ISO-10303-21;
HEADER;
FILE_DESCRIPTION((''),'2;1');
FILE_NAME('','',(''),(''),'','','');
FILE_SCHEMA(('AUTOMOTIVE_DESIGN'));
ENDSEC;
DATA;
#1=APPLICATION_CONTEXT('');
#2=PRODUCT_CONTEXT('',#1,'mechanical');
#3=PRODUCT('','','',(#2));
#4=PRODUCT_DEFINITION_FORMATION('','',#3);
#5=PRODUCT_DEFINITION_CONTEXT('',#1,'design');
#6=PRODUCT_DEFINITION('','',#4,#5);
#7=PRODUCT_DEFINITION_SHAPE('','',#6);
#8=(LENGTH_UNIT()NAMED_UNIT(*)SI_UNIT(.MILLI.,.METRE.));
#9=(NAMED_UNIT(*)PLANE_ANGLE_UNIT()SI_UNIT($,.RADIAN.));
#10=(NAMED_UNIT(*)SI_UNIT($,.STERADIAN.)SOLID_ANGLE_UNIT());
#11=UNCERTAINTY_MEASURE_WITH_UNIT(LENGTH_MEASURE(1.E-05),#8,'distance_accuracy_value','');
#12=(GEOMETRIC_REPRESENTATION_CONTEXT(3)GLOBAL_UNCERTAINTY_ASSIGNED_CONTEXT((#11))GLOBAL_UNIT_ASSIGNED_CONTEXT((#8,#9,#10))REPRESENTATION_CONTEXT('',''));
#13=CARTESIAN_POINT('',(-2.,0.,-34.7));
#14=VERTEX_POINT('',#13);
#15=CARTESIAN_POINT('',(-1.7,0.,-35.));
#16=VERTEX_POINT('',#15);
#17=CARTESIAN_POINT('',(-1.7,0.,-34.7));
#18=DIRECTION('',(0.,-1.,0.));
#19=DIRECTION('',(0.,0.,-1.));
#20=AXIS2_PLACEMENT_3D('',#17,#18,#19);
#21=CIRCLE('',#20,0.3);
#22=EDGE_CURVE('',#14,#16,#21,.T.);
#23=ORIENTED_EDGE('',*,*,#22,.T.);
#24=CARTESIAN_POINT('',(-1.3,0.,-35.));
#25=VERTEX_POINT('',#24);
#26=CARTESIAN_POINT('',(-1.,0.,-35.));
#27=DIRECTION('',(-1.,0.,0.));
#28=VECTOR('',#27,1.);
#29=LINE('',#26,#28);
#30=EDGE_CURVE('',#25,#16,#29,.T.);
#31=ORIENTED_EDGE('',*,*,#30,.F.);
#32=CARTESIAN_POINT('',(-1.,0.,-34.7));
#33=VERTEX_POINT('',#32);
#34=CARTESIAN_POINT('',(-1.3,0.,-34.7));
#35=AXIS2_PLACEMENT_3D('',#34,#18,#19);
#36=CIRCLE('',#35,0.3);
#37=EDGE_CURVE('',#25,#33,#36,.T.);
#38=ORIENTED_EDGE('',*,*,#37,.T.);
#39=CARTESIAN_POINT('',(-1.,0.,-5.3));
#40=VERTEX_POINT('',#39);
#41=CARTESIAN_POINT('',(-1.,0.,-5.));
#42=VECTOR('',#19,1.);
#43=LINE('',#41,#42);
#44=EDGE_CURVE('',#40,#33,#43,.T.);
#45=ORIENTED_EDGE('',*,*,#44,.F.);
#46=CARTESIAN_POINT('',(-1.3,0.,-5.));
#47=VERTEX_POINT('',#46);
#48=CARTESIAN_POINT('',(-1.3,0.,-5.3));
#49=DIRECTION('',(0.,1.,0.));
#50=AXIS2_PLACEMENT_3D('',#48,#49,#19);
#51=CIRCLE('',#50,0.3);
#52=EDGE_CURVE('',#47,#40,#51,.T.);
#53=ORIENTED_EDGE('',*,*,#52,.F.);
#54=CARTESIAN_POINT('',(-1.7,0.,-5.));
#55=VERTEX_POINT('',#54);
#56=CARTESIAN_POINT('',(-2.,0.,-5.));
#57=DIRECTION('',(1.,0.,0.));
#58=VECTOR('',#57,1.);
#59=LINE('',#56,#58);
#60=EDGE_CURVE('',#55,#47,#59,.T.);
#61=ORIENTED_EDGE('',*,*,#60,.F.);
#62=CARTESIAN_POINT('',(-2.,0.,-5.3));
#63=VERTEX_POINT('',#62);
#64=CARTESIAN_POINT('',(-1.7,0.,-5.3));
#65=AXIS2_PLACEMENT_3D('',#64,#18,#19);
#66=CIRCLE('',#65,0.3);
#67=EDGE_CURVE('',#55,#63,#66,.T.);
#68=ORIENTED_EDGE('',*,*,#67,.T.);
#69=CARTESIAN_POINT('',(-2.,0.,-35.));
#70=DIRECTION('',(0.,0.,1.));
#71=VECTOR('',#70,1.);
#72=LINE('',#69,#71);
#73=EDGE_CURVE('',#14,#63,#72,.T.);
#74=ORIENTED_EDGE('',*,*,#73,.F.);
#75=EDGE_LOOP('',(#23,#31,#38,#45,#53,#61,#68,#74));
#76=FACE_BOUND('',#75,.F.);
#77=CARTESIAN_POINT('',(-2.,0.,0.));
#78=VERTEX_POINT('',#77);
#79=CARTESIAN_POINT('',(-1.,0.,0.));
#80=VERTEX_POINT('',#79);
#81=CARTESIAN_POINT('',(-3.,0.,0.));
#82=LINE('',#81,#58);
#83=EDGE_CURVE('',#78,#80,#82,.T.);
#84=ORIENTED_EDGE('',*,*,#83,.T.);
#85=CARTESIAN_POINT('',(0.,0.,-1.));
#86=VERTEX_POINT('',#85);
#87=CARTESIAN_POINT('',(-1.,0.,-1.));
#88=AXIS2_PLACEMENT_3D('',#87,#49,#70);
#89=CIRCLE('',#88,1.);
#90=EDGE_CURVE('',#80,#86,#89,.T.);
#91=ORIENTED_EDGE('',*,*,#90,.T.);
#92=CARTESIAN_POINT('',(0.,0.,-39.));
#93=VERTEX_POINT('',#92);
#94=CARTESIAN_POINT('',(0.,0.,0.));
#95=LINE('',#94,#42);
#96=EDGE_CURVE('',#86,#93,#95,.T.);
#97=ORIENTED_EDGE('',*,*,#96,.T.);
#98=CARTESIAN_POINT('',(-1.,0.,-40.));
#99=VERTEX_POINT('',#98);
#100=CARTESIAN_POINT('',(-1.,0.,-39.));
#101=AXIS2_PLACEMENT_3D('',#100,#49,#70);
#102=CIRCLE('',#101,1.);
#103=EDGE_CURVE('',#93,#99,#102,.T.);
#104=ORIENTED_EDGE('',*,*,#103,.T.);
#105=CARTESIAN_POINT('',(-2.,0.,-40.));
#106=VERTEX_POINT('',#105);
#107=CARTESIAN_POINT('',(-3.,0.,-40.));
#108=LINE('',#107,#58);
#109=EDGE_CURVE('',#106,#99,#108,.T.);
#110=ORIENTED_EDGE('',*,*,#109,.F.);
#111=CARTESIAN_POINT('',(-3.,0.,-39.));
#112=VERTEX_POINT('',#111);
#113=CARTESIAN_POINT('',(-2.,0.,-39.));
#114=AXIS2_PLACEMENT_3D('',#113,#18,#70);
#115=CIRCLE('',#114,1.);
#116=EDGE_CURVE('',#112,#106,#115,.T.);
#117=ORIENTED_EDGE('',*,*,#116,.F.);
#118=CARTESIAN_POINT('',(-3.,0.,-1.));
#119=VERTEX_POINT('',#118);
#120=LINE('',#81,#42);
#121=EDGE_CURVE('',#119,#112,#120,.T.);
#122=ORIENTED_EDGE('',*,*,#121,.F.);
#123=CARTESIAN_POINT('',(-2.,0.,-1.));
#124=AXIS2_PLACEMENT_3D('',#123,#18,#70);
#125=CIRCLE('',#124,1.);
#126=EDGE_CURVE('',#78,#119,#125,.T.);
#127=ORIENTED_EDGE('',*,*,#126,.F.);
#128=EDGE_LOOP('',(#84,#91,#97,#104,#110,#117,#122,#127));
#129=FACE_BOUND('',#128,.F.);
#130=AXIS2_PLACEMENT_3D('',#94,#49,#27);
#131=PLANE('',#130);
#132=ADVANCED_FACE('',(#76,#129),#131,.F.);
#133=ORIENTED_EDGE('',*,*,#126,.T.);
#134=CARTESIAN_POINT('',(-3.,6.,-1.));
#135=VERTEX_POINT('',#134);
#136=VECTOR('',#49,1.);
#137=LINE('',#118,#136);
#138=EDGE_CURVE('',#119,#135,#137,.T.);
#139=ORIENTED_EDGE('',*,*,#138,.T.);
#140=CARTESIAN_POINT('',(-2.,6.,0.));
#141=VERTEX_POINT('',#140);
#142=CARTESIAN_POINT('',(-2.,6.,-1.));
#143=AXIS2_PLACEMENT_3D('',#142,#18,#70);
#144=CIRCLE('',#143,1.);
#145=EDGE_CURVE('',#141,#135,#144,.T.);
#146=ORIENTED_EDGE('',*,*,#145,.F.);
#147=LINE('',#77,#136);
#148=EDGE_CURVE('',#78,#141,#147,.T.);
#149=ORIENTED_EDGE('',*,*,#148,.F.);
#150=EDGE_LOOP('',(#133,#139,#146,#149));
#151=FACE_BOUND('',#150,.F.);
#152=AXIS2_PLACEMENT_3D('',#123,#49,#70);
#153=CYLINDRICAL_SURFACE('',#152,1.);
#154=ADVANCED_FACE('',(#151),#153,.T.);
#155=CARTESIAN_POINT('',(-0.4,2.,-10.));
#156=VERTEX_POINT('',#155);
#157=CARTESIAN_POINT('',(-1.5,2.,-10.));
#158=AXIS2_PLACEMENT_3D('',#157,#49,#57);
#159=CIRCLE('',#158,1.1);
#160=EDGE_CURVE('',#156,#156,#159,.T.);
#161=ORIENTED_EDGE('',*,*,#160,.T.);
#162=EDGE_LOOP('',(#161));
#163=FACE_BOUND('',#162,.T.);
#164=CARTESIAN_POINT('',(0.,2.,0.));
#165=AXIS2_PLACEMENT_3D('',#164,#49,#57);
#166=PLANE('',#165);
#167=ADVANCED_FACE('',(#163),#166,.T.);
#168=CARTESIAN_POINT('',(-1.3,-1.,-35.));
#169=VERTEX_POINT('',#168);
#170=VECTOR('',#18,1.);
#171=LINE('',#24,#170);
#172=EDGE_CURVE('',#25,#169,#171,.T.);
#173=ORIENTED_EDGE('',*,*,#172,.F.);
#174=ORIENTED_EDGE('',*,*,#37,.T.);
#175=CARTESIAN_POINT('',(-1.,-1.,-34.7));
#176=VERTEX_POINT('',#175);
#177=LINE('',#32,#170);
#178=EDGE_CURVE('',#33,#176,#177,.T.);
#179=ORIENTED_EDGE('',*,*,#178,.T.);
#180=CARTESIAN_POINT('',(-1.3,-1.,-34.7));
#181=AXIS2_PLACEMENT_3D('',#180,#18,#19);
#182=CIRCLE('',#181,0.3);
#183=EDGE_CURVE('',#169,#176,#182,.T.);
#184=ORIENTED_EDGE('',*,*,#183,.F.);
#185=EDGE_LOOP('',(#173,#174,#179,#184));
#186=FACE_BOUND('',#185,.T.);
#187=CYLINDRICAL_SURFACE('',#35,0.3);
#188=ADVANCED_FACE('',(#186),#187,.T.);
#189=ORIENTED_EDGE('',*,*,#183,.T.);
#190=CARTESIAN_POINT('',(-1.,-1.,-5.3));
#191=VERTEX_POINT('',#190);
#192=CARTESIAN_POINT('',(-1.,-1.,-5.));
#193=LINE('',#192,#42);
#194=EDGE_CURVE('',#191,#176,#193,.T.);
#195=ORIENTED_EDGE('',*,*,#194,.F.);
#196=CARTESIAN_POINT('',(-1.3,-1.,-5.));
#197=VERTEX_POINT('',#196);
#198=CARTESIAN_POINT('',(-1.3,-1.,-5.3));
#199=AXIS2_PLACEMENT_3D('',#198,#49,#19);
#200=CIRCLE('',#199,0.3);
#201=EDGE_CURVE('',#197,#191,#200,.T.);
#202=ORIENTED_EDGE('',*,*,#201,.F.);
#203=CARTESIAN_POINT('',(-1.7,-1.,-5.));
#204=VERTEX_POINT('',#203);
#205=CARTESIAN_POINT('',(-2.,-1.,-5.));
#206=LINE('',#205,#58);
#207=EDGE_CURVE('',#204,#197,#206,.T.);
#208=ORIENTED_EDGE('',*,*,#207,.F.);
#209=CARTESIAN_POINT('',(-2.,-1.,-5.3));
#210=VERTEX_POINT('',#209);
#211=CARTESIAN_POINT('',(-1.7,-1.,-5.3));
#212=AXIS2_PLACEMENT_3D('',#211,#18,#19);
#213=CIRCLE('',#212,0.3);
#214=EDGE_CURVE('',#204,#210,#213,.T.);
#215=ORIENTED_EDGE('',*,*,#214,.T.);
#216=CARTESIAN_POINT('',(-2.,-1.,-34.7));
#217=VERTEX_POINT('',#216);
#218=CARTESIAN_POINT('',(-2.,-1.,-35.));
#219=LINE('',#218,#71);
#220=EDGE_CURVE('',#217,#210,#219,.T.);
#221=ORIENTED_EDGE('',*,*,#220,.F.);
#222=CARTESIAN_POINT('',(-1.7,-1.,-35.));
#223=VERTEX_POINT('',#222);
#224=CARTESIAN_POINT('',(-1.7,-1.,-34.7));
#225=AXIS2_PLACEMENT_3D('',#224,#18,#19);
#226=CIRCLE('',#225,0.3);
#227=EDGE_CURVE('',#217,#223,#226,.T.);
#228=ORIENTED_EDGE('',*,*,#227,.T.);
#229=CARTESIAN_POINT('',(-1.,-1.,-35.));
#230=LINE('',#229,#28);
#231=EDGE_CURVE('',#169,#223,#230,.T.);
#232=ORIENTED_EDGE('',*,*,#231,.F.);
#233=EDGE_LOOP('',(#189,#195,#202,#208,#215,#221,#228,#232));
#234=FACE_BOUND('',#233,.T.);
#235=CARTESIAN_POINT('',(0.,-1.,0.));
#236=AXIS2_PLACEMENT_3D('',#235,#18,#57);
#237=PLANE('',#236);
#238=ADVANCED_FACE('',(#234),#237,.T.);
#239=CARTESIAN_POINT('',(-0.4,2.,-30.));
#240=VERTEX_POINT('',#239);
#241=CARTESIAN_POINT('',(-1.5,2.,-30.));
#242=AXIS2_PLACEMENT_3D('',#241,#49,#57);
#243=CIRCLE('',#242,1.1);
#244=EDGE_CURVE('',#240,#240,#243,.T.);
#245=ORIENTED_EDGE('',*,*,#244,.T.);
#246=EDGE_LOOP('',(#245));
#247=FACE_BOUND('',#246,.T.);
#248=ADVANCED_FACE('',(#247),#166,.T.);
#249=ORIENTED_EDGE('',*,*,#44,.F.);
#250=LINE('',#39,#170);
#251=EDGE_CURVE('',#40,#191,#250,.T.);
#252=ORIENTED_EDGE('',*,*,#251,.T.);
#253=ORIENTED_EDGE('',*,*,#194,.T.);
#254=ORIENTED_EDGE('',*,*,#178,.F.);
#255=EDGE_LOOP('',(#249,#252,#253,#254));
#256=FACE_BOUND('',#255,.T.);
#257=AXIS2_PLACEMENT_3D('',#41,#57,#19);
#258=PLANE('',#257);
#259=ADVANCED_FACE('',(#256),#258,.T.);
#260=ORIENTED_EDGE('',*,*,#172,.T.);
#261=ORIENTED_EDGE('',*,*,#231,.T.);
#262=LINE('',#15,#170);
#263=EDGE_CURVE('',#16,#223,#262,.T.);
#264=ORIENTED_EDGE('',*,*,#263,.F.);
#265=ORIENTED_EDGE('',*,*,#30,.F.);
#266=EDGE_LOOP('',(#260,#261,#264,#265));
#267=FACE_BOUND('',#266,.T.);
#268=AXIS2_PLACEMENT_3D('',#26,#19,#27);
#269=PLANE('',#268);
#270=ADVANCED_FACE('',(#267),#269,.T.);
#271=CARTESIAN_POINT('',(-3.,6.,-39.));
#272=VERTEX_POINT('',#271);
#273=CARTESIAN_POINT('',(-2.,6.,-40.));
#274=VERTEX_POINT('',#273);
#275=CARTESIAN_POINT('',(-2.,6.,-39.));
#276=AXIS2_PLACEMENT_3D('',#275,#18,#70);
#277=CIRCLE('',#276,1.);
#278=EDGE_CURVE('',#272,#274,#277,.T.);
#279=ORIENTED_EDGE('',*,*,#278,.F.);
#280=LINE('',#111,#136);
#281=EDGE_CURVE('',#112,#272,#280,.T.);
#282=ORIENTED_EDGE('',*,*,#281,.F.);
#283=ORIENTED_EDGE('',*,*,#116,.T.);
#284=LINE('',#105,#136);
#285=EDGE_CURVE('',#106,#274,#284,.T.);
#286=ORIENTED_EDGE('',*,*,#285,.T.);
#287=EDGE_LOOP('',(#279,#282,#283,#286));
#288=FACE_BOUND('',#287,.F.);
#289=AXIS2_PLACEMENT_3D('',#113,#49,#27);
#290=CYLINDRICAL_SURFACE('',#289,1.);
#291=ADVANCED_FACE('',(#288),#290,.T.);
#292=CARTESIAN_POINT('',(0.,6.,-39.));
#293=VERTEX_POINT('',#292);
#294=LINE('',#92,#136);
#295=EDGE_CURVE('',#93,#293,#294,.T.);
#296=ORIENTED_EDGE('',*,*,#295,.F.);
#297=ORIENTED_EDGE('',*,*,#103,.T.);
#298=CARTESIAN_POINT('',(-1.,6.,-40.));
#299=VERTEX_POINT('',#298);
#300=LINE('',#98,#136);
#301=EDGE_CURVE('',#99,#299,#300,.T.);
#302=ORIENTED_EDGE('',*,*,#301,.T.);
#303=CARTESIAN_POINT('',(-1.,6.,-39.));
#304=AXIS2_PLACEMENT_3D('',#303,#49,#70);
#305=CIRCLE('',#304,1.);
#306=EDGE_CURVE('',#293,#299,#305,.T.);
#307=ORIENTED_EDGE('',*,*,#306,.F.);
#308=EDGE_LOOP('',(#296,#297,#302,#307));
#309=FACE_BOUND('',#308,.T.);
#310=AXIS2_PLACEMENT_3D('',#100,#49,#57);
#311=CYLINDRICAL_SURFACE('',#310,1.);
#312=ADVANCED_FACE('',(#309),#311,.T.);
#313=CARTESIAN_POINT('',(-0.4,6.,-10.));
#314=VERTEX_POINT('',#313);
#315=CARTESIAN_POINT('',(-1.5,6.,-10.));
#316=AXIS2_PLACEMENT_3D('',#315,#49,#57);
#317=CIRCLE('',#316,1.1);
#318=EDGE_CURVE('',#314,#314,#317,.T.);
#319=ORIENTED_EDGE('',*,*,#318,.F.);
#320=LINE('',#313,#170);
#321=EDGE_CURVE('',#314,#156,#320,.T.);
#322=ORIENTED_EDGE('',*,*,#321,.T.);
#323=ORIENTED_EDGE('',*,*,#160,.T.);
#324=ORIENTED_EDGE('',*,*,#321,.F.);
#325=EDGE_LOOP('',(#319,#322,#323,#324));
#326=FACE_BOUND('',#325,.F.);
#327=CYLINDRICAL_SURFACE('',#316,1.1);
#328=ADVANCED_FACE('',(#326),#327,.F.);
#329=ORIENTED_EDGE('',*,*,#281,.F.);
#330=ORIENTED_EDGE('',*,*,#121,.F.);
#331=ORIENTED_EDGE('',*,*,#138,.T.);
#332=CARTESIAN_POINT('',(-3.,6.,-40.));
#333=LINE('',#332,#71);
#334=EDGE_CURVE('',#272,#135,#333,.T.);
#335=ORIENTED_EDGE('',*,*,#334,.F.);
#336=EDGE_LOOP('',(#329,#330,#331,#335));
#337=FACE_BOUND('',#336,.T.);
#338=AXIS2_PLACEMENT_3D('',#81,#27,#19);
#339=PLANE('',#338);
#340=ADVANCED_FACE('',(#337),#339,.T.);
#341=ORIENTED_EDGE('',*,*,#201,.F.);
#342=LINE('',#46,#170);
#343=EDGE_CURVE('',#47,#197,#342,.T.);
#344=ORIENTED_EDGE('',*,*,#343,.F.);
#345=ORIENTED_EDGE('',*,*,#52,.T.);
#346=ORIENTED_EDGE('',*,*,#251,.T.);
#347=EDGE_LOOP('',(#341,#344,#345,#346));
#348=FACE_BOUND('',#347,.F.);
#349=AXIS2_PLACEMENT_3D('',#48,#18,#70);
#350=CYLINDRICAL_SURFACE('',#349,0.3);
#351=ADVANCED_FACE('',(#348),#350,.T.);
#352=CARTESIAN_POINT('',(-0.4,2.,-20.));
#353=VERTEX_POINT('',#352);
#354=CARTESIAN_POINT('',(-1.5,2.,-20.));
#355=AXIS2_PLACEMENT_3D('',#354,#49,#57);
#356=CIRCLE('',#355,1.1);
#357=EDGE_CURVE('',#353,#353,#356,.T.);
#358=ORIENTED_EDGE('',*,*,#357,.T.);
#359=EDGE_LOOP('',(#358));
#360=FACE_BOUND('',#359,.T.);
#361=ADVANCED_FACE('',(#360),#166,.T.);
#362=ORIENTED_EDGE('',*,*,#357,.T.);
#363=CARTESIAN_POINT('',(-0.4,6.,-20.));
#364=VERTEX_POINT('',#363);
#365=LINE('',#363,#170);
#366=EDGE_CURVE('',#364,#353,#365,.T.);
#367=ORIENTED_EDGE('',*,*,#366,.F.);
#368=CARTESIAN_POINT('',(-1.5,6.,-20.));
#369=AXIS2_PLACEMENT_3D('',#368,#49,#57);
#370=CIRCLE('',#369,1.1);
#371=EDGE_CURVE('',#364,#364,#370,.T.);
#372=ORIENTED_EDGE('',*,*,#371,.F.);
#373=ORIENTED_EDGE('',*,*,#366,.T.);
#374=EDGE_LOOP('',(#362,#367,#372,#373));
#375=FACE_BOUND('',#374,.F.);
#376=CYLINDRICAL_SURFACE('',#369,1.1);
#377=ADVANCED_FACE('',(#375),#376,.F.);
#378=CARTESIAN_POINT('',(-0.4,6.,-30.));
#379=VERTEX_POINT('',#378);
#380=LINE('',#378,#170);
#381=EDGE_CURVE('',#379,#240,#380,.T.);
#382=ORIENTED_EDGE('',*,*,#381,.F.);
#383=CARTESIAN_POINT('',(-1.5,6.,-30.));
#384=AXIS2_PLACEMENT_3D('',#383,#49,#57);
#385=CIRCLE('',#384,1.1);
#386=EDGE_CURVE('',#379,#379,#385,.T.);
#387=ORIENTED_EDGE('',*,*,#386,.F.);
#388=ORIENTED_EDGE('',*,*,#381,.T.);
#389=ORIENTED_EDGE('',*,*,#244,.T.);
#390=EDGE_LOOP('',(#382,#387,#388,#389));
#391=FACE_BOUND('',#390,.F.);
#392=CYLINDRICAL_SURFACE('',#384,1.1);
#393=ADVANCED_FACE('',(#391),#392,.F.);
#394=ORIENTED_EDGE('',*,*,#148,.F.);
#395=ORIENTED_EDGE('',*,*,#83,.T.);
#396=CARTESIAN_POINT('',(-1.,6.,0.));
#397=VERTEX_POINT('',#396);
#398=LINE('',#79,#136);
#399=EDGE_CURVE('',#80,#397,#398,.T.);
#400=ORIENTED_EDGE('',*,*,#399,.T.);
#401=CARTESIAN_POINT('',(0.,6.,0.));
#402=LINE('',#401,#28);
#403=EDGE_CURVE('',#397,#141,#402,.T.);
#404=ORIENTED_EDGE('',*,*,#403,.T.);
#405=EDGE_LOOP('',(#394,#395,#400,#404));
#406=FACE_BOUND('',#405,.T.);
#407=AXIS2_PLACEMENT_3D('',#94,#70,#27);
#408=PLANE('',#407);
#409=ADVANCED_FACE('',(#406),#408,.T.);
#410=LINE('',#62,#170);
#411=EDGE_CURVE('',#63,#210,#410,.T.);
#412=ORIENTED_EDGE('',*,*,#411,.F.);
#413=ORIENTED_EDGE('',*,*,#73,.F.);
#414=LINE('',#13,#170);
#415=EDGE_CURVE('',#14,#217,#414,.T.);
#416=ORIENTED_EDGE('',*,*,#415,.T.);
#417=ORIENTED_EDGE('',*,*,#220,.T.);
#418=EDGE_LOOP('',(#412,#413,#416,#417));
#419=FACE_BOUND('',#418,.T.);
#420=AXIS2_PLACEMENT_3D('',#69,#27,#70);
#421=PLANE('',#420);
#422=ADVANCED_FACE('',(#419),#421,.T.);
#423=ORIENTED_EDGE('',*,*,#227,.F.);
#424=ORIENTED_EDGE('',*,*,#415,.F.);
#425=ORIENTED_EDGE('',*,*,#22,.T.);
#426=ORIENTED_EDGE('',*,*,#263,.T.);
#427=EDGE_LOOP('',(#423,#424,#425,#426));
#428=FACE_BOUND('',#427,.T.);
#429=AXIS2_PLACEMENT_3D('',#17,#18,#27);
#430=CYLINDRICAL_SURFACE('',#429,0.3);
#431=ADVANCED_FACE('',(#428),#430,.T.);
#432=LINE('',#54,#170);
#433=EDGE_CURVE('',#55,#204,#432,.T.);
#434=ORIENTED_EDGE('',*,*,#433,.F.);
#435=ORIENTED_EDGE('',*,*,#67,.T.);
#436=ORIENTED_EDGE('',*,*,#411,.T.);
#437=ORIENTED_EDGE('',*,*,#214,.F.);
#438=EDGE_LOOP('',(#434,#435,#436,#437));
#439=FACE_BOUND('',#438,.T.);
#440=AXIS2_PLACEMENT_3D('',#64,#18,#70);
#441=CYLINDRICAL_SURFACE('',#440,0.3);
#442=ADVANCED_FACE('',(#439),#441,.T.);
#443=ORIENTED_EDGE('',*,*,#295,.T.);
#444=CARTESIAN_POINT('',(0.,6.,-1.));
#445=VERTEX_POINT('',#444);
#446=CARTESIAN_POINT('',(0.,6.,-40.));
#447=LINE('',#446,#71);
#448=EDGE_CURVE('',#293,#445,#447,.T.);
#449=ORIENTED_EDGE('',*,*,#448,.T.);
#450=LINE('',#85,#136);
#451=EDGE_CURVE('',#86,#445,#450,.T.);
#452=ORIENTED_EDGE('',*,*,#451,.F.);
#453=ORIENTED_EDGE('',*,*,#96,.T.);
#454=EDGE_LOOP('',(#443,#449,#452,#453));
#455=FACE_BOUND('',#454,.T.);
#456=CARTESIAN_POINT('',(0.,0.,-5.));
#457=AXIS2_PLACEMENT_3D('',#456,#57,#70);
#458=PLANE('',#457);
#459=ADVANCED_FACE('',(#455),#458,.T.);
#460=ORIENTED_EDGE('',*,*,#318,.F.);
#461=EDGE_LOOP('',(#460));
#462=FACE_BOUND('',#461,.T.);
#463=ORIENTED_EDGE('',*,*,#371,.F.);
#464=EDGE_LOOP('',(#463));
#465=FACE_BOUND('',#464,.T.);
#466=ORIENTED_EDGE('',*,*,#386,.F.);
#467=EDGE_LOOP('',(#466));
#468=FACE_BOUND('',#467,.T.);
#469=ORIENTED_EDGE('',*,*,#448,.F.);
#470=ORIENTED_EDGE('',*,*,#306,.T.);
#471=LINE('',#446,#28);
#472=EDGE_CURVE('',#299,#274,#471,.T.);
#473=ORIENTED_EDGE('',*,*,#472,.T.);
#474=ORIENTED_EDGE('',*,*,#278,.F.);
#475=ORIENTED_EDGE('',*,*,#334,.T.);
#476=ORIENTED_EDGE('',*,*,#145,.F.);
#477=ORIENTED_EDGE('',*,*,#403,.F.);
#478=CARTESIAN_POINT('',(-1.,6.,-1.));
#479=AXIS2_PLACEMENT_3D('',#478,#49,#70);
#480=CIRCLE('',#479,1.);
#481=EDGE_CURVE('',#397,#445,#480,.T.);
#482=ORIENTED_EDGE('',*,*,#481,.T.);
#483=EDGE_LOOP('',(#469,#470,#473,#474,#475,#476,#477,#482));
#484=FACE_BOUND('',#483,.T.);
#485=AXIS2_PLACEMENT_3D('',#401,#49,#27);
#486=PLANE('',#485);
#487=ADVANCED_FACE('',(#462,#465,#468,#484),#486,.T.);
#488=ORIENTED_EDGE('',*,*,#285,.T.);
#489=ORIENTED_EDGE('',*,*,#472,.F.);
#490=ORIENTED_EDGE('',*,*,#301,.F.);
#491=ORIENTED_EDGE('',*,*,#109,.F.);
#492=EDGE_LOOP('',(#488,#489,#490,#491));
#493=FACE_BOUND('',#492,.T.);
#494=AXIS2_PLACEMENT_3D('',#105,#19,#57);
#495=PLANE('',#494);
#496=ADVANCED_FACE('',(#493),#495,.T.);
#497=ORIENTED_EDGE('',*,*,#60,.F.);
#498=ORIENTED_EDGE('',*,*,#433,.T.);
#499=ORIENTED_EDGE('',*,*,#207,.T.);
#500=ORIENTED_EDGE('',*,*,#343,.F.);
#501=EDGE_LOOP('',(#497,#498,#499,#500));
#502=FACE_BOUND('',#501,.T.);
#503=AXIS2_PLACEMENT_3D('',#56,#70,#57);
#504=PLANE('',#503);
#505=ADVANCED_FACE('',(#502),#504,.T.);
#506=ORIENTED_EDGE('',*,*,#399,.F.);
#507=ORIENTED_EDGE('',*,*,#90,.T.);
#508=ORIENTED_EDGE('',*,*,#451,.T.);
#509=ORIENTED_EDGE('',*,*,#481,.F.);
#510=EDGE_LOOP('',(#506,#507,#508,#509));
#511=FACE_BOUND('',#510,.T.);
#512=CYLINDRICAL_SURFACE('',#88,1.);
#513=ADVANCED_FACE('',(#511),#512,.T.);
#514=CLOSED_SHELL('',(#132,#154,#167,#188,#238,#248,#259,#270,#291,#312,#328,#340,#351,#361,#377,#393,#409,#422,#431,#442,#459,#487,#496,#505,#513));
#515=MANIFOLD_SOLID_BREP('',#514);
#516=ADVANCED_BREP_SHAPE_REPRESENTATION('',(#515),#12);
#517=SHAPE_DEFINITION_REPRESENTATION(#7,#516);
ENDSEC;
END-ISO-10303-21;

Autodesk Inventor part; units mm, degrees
ref_plane "YZ Plane" through (0, 0, 0) normal (1, 0, 0) x (0, 1, 0)
ref_plane "XZ Plane" through (0, 0, 0) normal (0, 1, 0) x (-1, 0, 0)
ref_plane "XY Plane" through (0, 0, 0) normal (0, 0, 1) x (1, 0, 0)
sketch "Эскиз1" plane through (0, 0, 0) normal (0, 1, 0) x (-1, 0, 0)
  line L0 (0, 0) -> (3, 0)
  line L1 (3, 0) -> (3, -40)
  line L2 (3, -40) -> (0, -40)
  line L3 (0, -40) -> (0, 0)
  line L4 (0, 0) -> (1, 0)
  line L5 (0, -5) -> (0, 0)
  line L6 (3, -40) -> (2, -40)
  line L7 (3, -35) -> (3, -40)
  dimension "d0" = 40
  dimension "d1" = 3
extrude "Выдавливание1" add sketch "Эскиз1" along normal blind 6
sketch "Эскиз2" plane through (0, 0, 0) normal (0, -1, 0) x (1, 0, 0)
  line L0 (-3, 0) -> (0, 0) projected
  line L1 (-3, 0) -> (-2, 0)
  line L2 (-2, -5) -> (-1, -5)
  line L3 (-1, -5) -> (-1, -35)
  line L4 (-1, -35) -> (-2, -35)
  line L5 (-2, -35) -> (-2, -5)
  point P0 (0, -40)
  dimension "d13" = 30
  dimension "d14" = 1
extrude "Выдавливание2" add sketch "Эскиз2" along normal blind 1
fillet "Сопряжение1" radius 1 4 edges at (0, 3, 0) (-3, 3, 0) (0, 3, -40) (-3, 3, -40)
fillet "Сопряжение2" radius 0.3 4 edges at (-1, -0.5, -35) (-2, -0.5, -35) (-1, -0.5, -5) (-2, -0.5, -5)
sketch "Эскиз3" plane through (0, 6, 0) normal (0, 1, 0) x (1, 0, 0)
  line L0 (0, 0) -> (-1.5, 0)
  line L1 (0, 1) -> (0, 39) projected
  line L2 (0, 20) -> (0, 30)
  circle A0 centre (-1.5, 10) radius 1.1
  circle A1 centre (-1.5, 20) radius 1.1
  circle A2 centre (-1.5, 30) radius 1.1
  dimension "d23" = 2.2
  dimension "d24" = 2.2
  dimension "d25" = 2.2
extrude "Выдавливание3" cut sketch "Эскиз3" against normal blind 4
properties part number "Bush" material "Медь"
